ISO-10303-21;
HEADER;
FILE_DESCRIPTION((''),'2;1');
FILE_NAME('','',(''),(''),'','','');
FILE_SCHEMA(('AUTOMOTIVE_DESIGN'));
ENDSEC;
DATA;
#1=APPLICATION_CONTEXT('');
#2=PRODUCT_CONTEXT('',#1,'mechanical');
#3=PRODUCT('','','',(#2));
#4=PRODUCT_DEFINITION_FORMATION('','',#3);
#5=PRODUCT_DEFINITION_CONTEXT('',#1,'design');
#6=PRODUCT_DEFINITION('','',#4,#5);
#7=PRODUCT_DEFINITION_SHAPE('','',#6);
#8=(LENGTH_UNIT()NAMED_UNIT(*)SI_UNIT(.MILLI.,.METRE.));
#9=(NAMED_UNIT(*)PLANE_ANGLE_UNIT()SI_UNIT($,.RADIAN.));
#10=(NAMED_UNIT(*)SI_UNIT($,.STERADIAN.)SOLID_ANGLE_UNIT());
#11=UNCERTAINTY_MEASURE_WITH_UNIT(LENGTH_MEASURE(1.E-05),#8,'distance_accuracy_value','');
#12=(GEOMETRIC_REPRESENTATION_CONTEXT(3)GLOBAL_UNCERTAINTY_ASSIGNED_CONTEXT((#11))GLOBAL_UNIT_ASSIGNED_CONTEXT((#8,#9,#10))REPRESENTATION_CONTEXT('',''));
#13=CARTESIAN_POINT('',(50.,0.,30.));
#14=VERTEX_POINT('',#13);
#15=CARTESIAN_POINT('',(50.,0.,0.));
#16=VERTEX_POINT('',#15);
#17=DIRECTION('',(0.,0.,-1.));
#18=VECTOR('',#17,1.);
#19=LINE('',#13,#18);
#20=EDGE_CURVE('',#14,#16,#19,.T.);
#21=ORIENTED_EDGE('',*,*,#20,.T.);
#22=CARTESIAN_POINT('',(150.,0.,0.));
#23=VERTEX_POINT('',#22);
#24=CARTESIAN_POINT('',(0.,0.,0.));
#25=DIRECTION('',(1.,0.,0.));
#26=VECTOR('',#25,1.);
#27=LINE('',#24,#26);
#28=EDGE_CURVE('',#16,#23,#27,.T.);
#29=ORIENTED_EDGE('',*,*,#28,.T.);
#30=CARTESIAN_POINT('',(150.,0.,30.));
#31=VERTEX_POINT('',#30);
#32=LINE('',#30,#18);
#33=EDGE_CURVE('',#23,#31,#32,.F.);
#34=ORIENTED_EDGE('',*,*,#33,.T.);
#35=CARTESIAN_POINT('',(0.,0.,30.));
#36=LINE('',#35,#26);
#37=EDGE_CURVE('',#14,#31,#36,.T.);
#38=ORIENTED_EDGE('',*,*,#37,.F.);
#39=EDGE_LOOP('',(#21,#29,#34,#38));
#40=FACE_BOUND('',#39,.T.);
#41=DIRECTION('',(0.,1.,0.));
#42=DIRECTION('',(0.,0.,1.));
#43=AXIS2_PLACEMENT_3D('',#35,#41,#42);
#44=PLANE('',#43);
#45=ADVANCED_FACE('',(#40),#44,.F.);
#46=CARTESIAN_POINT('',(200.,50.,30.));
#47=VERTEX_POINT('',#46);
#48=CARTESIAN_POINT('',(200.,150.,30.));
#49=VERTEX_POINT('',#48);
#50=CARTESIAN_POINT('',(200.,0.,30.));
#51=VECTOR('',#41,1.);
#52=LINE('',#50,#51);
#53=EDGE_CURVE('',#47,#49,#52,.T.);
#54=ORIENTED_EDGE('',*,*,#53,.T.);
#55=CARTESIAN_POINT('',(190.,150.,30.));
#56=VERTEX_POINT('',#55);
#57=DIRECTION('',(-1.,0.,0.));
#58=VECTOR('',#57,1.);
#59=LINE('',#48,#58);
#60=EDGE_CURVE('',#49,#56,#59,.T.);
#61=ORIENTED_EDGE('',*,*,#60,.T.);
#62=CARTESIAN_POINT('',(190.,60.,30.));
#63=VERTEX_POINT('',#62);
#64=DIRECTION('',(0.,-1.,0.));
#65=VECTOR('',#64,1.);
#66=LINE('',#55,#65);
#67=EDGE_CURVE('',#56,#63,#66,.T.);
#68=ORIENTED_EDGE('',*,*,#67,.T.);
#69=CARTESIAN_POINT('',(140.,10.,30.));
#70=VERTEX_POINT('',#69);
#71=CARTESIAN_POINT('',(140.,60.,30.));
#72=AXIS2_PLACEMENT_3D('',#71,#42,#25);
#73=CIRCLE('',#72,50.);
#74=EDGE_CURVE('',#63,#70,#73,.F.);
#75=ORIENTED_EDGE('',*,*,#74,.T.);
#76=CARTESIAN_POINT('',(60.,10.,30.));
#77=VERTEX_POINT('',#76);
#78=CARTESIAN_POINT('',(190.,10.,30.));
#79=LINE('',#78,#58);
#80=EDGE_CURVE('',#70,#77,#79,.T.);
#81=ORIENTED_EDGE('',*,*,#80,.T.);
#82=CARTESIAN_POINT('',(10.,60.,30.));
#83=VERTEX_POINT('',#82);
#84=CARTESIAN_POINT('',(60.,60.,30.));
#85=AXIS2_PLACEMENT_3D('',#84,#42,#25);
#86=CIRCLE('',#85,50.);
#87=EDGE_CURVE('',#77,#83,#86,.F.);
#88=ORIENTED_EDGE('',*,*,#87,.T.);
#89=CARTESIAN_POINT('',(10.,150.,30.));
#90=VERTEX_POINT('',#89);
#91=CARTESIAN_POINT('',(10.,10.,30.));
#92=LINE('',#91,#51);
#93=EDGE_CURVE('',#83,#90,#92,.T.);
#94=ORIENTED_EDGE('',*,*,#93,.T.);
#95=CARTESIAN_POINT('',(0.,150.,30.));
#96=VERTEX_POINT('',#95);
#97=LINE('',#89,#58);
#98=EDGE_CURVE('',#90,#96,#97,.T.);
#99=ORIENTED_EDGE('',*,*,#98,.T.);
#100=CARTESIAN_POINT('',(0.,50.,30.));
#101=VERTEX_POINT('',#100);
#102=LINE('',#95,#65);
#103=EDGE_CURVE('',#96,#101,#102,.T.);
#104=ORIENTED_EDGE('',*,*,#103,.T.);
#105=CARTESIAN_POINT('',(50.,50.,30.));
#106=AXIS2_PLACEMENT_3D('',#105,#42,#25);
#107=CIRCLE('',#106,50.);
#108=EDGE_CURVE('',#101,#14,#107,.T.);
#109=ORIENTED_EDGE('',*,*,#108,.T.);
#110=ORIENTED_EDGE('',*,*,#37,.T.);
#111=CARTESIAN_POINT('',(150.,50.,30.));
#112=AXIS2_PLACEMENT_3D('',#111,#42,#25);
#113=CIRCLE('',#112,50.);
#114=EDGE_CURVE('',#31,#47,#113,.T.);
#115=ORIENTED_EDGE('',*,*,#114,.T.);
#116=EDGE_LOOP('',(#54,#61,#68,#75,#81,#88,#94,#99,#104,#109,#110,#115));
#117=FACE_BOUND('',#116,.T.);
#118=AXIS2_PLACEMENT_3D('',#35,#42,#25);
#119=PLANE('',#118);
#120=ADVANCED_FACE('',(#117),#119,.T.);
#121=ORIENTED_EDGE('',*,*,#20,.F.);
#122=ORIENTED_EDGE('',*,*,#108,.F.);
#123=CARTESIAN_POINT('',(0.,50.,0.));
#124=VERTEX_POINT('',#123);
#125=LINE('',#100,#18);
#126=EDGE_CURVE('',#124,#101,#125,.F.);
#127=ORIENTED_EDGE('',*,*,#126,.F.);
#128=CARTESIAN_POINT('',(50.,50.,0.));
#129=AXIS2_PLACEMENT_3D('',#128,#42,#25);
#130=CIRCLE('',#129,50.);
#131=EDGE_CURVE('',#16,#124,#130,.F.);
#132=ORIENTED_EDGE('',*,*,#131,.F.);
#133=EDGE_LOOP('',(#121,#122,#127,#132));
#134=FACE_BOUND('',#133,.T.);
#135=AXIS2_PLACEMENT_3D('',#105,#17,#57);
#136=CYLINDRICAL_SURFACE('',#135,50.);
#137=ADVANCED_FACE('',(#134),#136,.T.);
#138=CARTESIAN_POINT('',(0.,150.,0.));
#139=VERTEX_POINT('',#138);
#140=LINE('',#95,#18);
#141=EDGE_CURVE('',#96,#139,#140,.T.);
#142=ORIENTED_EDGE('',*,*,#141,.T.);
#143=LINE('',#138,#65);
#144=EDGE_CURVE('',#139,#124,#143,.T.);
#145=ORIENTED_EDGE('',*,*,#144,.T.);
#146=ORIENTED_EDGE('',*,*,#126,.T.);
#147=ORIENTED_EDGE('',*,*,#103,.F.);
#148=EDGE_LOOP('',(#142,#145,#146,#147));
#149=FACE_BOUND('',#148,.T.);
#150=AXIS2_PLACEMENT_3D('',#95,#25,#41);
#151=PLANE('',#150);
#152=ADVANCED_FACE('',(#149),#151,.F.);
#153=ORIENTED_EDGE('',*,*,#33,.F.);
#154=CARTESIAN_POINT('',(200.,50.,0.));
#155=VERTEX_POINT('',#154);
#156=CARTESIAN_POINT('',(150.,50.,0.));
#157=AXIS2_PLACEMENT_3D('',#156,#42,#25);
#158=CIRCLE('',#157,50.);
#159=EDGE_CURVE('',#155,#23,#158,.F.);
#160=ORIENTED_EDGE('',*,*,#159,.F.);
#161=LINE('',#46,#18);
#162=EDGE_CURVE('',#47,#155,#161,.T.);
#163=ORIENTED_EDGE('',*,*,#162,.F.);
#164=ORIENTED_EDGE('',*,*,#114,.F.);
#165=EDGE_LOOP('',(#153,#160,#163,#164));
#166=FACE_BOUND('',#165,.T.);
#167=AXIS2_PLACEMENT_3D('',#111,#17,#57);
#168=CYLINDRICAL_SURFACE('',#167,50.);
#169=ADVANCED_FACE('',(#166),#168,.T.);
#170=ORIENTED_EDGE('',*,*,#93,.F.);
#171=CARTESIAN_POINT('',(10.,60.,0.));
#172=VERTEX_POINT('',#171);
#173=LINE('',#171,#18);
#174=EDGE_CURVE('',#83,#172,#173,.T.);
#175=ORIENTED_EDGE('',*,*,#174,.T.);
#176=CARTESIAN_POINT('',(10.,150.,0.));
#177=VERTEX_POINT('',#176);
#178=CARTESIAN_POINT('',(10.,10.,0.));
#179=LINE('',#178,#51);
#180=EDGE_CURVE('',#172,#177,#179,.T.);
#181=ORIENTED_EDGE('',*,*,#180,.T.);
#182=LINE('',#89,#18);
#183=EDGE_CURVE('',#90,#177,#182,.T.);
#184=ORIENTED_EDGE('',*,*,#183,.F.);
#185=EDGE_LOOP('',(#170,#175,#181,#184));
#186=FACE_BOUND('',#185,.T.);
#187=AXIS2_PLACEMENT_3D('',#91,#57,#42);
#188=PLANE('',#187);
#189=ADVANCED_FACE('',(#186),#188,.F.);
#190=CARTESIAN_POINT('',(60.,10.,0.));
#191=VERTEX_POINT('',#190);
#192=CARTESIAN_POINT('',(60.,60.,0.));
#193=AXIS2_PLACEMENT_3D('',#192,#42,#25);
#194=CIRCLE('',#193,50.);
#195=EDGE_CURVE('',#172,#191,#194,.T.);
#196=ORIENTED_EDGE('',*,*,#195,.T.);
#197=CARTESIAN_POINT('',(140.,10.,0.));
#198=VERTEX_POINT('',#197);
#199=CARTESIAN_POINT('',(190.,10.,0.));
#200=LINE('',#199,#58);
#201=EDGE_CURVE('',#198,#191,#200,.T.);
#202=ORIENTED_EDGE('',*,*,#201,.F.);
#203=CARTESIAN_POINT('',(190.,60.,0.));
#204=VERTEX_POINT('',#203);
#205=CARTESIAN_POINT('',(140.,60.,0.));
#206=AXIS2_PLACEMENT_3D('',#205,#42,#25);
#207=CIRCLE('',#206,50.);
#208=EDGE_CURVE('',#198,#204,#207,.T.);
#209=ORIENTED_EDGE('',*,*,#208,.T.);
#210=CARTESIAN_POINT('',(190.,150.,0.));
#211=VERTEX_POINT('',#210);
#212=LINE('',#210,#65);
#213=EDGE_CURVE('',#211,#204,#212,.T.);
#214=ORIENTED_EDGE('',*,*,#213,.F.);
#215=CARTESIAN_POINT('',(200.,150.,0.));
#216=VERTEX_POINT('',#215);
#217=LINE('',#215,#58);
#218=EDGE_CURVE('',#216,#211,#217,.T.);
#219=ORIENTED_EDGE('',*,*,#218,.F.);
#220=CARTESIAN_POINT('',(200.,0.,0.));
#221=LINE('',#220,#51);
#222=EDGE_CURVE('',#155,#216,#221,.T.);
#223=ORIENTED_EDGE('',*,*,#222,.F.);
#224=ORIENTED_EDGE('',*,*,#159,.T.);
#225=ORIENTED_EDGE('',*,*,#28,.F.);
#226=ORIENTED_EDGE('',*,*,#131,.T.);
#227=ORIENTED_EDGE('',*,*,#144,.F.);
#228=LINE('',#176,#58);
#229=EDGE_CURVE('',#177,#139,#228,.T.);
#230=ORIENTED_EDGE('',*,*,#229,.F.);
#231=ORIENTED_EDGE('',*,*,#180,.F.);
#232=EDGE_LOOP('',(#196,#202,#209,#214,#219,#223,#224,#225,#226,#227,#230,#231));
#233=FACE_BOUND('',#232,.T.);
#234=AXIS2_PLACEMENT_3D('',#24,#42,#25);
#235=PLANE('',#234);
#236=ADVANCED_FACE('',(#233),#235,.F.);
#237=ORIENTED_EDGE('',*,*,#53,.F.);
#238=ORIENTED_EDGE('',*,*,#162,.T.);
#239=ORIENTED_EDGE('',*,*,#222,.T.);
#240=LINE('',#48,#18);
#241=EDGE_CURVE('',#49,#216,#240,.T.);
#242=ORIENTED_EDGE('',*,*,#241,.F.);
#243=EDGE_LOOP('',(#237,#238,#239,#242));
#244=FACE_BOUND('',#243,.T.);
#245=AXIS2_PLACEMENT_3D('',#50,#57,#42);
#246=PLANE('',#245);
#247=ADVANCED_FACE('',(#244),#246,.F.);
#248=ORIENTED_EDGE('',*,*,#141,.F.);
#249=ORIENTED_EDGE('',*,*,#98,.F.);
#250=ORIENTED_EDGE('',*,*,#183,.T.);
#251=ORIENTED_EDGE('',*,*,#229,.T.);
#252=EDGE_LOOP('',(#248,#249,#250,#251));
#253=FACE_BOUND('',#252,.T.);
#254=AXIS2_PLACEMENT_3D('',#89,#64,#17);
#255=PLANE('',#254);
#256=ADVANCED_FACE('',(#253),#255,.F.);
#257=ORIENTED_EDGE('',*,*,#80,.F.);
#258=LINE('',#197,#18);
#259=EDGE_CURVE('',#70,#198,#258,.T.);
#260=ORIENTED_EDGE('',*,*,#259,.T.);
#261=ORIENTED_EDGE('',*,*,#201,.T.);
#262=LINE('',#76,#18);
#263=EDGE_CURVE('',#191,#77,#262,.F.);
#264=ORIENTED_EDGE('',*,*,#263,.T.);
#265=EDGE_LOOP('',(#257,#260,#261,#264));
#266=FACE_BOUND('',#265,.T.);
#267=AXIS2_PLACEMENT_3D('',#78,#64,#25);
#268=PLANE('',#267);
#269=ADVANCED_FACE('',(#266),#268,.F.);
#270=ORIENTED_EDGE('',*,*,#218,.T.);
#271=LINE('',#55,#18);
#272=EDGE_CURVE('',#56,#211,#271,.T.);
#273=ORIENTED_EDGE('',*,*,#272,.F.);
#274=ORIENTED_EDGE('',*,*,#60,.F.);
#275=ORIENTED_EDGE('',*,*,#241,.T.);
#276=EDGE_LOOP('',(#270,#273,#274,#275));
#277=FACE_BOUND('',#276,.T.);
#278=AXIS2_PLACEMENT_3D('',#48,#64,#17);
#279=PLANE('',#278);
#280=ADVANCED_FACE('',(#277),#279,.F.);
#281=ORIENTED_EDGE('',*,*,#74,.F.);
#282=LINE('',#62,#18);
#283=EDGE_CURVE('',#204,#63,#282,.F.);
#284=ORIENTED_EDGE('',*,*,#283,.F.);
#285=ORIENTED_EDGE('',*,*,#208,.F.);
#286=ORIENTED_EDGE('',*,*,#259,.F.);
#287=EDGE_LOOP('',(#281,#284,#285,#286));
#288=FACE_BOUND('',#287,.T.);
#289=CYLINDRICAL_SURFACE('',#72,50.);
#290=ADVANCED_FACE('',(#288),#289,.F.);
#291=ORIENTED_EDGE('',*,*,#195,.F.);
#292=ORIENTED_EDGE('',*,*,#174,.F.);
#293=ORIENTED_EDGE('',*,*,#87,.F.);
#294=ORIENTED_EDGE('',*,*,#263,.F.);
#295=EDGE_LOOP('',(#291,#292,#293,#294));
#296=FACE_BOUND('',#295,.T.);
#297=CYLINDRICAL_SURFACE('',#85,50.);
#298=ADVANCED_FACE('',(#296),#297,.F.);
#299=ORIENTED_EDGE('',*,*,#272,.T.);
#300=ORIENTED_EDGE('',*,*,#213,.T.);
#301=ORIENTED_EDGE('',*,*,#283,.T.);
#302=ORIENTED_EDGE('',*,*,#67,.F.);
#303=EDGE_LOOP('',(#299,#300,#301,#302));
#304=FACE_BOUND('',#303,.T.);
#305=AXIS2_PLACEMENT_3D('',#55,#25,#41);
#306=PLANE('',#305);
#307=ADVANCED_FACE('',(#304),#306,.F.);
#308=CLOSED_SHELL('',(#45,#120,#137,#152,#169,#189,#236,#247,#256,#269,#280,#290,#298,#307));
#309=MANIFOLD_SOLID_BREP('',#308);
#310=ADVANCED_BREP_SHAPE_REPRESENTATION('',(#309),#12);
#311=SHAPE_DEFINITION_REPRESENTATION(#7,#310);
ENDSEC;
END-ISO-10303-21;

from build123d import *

# Parameters (mm, degrees)
BOSS_EXTRUDE1_DEPTH = 30
FILLET1_R           = 50
FILLET2_R           = 50


with BuildPart() as part:
    # Sketch1 → Boss-Extrude1 (new body)
    with BuildSketch(Plane.XY):
        Polygon((0, 0), (200, 0), (200, 150), (190, 150), (190, 10), (10, 10), (10, 150), (0, 150), align=None)
    extrude(amount=BOSS_EXTRUDE1_DEPTH)

    # Fillet1
    fillet1_edges = [part.edges().sort_by_distance(p)[0] for p in [
        (10, 10, 15),
        (190, 10, 15),
    ]]
    fillet(fillet1_edges, radius=FILLET1_R)

    # Fillet2
    fillet2_edges = [part.edges().sort_by_distance(p)[0] for p in [
        (200, 0, 15),
        (0, 0, 15),
    ]]
    fillet(fillet2_edges, radius=FILLET2_R)


solid = part.part
